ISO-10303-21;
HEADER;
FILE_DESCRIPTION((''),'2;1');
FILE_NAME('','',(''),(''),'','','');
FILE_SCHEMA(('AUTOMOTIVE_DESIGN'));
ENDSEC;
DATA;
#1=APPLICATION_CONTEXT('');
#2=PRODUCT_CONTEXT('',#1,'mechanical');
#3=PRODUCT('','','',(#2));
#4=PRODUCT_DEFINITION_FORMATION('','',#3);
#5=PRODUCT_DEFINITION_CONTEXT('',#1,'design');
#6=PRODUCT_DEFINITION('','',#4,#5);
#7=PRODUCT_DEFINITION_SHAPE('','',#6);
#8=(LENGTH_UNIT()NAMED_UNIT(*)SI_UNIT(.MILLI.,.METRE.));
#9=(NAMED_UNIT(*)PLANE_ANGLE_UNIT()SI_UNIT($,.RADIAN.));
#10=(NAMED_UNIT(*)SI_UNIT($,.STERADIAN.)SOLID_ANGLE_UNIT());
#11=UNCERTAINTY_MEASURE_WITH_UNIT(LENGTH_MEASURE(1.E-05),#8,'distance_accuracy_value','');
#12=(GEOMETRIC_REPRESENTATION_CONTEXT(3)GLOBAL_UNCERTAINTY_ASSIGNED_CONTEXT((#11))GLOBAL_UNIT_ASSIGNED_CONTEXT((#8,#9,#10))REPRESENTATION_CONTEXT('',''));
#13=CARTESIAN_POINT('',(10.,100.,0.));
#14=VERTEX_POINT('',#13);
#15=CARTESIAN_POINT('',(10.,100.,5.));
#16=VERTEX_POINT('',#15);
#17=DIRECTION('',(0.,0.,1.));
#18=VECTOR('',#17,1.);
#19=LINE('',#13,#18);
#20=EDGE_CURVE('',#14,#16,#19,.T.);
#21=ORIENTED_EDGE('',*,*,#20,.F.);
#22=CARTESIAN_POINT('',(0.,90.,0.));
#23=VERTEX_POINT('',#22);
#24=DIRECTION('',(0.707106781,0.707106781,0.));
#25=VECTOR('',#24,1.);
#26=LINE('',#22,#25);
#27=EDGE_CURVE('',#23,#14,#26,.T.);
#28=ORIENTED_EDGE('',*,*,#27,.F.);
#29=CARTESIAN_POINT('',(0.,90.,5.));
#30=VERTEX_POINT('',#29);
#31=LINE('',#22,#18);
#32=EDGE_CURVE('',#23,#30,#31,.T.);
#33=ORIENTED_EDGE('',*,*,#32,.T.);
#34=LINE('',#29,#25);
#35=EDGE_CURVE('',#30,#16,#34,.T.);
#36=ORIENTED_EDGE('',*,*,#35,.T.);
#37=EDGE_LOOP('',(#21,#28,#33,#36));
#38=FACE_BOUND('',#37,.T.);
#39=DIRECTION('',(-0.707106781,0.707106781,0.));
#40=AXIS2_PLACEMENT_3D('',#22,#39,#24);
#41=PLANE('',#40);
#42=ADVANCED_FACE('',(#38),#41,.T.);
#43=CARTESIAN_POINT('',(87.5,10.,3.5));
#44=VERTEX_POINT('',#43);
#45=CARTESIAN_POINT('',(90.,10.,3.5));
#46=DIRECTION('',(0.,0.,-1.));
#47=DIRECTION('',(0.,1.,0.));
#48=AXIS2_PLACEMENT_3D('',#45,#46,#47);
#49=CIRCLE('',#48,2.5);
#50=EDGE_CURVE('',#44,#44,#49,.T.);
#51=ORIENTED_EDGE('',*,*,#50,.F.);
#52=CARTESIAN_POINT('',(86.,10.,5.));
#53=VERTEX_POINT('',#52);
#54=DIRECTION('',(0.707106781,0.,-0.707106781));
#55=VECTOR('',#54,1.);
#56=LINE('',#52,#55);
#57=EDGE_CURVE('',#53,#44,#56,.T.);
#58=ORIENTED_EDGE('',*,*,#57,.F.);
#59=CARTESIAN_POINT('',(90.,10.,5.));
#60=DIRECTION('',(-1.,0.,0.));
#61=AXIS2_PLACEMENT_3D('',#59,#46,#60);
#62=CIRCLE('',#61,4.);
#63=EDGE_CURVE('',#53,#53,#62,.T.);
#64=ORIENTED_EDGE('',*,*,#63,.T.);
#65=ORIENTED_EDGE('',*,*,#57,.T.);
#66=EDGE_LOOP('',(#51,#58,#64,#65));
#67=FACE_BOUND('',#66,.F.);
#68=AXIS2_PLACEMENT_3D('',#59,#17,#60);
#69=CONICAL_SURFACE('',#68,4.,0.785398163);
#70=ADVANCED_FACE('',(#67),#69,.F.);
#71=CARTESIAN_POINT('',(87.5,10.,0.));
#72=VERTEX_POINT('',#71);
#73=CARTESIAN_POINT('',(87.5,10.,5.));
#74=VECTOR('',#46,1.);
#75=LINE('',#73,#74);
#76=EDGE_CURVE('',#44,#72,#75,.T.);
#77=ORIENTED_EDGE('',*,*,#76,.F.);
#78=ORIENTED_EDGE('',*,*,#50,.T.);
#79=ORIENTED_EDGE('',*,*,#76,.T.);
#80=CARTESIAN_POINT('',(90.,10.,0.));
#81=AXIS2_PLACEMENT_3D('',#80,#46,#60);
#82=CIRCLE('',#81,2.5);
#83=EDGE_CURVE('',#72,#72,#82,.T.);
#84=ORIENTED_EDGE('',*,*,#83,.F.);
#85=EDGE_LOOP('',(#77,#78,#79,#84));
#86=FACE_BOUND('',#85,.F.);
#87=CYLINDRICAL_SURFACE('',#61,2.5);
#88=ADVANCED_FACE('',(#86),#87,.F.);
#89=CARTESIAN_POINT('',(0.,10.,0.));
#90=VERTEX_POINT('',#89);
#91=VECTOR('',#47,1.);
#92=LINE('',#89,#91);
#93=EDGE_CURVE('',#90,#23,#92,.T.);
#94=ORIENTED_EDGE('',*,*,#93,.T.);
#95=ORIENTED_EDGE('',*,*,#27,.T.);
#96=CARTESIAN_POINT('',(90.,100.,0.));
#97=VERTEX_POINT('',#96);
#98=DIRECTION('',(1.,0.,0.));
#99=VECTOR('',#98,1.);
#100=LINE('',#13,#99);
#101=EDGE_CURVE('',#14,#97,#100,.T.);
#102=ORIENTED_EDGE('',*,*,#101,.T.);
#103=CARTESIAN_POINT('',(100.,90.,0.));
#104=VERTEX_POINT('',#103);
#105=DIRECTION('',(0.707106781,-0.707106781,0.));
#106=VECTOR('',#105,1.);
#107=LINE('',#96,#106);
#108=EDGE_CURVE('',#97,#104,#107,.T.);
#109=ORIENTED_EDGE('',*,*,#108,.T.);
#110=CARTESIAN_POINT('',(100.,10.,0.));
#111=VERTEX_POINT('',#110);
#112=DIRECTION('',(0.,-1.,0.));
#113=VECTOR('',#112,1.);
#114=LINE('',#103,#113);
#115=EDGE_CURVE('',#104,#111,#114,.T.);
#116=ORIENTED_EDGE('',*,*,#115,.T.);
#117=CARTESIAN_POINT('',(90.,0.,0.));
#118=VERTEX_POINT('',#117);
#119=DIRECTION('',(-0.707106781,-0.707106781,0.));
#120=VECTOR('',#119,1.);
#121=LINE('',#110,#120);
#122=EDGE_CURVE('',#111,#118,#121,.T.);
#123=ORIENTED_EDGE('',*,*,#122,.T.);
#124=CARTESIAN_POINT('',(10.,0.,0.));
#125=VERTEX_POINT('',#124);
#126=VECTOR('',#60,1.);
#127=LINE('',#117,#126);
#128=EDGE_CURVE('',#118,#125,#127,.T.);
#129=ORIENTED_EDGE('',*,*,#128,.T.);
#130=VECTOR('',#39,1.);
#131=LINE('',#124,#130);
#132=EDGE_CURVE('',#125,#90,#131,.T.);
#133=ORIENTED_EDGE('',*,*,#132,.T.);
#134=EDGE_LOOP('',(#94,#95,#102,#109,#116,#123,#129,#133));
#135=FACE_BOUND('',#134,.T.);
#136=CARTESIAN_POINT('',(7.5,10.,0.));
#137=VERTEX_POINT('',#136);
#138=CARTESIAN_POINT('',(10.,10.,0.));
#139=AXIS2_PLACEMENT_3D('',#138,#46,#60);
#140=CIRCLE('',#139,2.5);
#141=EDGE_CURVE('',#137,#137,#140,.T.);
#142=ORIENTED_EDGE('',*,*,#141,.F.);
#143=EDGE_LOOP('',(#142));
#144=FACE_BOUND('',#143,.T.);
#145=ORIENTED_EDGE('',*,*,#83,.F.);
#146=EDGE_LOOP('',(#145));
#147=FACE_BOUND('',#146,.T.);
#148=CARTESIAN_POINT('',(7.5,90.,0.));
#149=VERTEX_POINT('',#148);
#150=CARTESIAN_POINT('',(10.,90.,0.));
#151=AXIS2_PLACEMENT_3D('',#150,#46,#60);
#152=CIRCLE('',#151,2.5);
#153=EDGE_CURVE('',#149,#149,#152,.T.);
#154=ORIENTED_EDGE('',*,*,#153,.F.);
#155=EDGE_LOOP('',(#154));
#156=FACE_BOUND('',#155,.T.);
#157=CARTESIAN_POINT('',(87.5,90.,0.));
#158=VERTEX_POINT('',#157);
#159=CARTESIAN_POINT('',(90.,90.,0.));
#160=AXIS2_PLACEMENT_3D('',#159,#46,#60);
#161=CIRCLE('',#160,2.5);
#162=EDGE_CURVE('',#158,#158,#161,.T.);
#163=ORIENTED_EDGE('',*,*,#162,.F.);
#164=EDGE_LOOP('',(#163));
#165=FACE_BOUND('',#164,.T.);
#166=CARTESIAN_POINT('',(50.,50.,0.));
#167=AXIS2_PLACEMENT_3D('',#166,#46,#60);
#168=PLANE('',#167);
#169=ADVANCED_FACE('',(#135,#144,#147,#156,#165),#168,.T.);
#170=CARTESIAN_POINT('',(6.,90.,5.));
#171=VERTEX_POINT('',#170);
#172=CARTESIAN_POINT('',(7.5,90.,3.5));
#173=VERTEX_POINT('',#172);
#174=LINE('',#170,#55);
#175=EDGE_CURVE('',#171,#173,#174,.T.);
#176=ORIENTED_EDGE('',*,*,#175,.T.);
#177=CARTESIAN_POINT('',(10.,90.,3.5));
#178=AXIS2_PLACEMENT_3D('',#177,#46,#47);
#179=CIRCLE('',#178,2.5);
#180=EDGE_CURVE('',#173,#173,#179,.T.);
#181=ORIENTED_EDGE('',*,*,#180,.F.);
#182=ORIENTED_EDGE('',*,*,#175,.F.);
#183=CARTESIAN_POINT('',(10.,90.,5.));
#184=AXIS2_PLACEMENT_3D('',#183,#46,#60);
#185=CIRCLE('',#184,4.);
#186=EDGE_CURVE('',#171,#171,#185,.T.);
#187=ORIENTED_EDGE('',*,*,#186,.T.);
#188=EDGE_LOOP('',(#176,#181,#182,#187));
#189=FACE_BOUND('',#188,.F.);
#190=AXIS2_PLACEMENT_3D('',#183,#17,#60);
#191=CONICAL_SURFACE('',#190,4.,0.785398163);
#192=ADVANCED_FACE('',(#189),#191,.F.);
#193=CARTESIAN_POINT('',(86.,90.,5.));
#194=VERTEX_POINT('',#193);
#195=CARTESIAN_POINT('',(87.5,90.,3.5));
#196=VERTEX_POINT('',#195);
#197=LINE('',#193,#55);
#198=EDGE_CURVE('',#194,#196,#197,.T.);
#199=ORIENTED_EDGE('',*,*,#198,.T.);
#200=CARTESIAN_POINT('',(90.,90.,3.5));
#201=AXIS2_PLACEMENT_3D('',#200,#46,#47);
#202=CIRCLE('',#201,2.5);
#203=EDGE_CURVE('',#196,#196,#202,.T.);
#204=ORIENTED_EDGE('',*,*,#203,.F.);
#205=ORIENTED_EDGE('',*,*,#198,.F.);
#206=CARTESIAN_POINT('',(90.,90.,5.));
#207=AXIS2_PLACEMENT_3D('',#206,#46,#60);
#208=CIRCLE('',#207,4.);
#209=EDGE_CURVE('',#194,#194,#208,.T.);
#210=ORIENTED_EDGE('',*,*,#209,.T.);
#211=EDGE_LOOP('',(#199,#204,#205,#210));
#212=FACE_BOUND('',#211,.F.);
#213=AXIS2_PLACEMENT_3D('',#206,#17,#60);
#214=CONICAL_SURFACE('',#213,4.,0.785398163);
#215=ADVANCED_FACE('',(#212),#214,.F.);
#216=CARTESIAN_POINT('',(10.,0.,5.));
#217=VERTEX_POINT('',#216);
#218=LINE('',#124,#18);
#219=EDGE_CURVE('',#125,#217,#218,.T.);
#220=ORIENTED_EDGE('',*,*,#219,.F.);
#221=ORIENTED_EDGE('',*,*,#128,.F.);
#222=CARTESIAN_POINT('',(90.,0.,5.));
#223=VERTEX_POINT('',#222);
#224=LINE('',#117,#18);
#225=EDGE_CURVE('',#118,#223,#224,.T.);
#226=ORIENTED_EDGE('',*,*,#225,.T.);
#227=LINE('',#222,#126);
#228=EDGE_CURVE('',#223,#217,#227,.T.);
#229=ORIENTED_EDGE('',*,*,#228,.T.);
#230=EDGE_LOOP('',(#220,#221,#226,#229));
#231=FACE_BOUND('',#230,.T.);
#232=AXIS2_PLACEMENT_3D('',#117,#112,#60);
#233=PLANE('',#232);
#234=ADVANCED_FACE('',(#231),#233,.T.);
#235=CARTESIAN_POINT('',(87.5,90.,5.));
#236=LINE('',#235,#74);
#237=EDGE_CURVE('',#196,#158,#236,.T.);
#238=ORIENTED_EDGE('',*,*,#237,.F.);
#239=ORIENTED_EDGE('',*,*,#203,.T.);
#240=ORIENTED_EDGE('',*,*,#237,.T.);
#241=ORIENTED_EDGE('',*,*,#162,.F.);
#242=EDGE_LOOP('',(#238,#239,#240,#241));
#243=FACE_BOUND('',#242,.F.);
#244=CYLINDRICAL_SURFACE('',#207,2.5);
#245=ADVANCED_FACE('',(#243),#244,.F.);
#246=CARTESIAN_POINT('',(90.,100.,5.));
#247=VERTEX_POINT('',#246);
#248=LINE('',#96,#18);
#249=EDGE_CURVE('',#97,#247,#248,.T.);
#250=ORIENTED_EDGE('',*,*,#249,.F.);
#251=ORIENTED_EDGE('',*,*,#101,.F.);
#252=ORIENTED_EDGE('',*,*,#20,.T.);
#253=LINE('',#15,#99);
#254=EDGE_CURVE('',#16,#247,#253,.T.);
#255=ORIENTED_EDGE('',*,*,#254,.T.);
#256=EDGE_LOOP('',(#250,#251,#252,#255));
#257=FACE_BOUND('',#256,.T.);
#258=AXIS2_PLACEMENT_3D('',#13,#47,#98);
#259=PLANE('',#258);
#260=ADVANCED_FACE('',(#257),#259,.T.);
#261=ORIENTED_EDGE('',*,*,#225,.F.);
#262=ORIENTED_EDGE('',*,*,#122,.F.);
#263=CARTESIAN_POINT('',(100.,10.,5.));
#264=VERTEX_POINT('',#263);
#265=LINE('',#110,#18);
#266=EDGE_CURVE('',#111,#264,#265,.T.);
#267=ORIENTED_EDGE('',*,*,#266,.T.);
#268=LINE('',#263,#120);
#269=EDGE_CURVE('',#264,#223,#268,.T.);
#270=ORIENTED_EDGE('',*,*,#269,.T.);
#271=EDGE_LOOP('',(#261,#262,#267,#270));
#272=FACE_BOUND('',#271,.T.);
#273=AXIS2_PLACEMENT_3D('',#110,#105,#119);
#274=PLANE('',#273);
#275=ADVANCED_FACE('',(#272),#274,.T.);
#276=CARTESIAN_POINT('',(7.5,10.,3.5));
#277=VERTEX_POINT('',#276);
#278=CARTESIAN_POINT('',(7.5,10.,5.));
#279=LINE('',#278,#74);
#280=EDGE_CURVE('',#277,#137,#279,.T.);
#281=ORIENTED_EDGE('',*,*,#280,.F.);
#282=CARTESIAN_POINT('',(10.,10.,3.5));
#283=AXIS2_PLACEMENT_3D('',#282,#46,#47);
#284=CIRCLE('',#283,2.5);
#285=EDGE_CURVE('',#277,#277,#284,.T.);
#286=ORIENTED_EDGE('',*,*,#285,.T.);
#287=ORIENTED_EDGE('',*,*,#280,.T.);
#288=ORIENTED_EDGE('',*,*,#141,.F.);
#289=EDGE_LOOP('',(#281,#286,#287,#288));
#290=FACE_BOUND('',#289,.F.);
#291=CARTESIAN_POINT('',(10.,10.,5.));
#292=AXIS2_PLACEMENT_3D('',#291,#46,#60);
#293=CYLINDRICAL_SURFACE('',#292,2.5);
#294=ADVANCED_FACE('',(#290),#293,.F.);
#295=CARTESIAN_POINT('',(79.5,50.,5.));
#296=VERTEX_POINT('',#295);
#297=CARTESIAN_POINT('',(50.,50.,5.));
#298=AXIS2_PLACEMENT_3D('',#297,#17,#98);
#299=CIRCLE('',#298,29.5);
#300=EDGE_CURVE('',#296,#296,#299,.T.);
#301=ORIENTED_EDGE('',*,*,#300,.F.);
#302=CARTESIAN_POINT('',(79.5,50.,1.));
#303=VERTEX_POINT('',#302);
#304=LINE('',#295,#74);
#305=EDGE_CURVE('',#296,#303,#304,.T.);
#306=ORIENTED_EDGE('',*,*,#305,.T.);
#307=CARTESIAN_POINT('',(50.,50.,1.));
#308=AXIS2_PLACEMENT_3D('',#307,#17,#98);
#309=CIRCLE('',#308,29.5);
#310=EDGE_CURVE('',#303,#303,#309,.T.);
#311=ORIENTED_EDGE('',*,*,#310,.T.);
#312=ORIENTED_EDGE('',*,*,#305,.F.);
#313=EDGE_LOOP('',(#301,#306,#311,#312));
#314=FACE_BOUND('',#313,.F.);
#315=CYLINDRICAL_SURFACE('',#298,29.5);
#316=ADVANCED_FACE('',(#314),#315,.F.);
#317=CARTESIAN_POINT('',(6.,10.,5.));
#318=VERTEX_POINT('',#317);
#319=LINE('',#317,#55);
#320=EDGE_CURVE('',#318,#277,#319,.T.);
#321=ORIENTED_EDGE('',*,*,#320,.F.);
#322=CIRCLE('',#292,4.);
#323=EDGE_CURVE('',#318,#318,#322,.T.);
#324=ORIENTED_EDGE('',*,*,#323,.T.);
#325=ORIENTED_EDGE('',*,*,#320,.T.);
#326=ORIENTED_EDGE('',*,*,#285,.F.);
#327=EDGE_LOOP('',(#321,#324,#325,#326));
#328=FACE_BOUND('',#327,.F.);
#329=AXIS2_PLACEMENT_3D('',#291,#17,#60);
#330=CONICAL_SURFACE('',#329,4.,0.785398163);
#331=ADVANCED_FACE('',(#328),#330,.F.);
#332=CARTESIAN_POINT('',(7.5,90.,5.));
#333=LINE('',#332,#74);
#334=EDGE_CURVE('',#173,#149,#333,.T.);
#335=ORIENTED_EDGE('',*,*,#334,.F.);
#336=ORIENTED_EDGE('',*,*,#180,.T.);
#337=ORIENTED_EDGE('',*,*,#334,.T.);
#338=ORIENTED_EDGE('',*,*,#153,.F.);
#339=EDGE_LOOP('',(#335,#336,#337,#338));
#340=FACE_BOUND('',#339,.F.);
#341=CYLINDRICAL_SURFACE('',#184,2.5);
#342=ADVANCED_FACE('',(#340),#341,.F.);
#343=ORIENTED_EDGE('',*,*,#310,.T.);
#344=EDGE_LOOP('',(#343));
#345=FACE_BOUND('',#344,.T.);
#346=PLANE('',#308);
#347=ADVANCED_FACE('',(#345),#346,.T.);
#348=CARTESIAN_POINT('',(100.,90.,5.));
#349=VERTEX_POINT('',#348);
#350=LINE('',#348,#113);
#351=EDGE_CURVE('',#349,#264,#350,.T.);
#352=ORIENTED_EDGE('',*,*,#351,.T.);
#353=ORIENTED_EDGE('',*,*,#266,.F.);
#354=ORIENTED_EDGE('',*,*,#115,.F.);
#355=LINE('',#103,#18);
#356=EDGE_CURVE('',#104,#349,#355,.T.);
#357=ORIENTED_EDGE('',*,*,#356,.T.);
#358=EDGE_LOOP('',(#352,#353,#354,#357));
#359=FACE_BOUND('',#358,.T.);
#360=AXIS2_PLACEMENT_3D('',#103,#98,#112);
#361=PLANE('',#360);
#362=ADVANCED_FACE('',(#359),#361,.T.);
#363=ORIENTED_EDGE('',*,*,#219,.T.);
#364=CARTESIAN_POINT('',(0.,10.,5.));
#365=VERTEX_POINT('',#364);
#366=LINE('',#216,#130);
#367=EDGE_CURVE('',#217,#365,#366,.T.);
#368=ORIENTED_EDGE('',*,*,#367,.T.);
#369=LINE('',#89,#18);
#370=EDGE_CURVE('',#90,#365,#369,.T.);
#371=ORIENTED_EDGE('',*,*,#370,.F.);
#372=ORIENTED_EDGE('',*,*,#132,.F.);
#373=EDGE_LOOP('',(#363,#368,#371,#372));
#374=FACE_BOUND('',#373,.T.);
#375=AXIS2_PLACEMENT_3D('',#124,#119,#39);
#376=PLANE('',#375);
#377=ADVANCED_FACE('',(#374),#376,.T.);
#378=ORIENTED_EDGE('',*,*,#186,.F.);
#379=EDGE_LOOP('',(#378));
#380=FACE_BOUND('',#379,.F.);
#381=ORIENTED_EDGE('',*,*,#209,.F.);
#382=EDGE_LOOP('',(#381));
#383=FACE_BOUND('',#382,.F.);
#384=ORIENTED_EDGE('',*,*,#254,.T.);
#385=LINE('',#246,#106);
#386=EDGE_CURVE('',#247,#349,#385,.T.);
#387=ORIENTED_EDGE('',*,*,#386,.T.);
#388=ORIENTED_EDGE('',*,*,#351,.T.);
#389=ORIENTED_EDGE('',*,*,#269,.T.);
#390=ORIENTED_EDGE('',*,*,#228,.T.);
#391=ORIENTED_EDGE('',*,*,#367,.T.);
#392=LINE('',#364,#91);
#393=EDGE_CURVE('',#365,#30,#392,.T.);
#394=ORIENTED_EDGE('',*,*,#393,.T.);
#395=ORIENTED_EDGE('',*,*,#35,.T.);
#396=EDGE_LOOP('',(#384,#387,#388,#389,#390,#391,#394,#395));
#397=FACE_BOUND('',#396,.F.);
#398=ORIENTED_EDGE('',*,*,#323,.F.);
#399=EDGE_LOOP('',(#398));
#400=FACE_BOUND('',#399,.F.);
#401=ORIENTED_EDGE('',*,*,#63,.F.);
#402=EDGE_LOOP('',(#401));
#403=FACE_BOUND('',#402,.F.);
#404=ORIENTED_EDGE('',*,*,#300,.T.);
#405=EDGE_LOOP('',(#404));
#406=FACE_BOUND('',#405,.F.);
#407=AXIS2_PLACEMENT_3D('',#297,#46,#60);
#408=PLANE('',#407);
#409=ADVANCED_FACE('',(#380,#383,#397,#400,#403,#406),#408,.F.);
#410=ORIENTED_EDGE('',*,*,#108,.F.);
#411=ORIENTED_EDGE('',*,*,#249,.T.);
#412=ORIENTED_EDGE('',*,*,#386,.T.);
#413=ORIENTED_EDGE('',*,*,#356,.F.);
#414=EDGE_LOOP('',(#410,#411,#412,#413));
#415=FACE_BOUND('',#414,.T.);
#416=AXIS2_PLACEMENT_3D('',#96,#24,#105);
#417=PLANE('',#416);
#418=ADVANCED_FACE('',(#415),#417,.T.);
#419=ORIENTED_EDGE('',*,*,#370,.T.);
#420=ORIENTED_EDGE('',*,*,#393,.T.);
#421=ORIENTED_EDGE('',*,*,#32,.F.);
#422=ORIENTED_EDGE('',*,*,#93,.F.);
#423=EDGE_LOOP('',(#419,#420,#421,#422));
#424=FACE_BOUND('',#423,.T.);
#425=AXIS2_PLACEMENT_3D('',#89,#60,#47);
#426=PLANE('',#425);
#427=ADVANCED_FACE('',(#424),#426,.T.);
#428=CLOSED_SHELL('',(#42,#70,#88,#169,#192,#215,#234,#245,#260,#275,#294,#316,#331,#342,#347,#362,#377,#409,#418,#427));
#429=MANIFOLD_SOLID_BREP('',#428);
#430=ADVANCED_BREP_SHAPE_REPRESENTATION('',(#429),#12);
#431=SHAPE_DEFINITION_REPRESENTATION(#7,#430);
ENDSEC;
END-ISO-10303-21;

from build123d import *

# Parameters (mm, degrees)
BOSS_EXTRUDE1_DEPTH           = 5
CIRCLE_R                      = 29.5
CUT_EXTRUDE1_DEPTH            = 4
CSK_FOR_M4_SFHCS1_D           = 5
CSK_FOR_M4_SFHCS1_CSINK_D     = 8
CSK_FOR_M4_SFHCS1_CSINK_ANGLE = 90


with BuildPart() as part:
    # base → Boss-Extrude1 (new body)
    with BuildSketch(Plane.XY):
        Polygon((0, 10), (0, 90), (10, 100), (90, 100), (100, 90), (100, 10), (90, 0), (10, 0), align=None)
    extrude(amount=BOSS_EXTRUDE1_DEPTH)

    # circle → Cut-Extrude1 (cut)
    with BuildSketch(Plane.XY.offset(5)):
        with Locations((50, 50)):
            Circle(CIRCLE_R)
    extrude(amount=-CUT_EXTRUDE1_DEPTH, mode=Mode.SUBTRACT)

    # CSK for M4 SFHCS1 (through all)
    with Locations(Plane.XY.offset(5)):
        with Locations((90, 90), (10, 90), (10, 10), (90, 10)):
            CounterSinkHole(CSK_FOR_M4_SFHCS1_D / 2, CSK_FOR_M4_SFHCS1_CSINK_D / 2, counter_sink_angle=CSK_FOR_M4_SFHCS1_CSINK_ANGLE)


solid = part.part
